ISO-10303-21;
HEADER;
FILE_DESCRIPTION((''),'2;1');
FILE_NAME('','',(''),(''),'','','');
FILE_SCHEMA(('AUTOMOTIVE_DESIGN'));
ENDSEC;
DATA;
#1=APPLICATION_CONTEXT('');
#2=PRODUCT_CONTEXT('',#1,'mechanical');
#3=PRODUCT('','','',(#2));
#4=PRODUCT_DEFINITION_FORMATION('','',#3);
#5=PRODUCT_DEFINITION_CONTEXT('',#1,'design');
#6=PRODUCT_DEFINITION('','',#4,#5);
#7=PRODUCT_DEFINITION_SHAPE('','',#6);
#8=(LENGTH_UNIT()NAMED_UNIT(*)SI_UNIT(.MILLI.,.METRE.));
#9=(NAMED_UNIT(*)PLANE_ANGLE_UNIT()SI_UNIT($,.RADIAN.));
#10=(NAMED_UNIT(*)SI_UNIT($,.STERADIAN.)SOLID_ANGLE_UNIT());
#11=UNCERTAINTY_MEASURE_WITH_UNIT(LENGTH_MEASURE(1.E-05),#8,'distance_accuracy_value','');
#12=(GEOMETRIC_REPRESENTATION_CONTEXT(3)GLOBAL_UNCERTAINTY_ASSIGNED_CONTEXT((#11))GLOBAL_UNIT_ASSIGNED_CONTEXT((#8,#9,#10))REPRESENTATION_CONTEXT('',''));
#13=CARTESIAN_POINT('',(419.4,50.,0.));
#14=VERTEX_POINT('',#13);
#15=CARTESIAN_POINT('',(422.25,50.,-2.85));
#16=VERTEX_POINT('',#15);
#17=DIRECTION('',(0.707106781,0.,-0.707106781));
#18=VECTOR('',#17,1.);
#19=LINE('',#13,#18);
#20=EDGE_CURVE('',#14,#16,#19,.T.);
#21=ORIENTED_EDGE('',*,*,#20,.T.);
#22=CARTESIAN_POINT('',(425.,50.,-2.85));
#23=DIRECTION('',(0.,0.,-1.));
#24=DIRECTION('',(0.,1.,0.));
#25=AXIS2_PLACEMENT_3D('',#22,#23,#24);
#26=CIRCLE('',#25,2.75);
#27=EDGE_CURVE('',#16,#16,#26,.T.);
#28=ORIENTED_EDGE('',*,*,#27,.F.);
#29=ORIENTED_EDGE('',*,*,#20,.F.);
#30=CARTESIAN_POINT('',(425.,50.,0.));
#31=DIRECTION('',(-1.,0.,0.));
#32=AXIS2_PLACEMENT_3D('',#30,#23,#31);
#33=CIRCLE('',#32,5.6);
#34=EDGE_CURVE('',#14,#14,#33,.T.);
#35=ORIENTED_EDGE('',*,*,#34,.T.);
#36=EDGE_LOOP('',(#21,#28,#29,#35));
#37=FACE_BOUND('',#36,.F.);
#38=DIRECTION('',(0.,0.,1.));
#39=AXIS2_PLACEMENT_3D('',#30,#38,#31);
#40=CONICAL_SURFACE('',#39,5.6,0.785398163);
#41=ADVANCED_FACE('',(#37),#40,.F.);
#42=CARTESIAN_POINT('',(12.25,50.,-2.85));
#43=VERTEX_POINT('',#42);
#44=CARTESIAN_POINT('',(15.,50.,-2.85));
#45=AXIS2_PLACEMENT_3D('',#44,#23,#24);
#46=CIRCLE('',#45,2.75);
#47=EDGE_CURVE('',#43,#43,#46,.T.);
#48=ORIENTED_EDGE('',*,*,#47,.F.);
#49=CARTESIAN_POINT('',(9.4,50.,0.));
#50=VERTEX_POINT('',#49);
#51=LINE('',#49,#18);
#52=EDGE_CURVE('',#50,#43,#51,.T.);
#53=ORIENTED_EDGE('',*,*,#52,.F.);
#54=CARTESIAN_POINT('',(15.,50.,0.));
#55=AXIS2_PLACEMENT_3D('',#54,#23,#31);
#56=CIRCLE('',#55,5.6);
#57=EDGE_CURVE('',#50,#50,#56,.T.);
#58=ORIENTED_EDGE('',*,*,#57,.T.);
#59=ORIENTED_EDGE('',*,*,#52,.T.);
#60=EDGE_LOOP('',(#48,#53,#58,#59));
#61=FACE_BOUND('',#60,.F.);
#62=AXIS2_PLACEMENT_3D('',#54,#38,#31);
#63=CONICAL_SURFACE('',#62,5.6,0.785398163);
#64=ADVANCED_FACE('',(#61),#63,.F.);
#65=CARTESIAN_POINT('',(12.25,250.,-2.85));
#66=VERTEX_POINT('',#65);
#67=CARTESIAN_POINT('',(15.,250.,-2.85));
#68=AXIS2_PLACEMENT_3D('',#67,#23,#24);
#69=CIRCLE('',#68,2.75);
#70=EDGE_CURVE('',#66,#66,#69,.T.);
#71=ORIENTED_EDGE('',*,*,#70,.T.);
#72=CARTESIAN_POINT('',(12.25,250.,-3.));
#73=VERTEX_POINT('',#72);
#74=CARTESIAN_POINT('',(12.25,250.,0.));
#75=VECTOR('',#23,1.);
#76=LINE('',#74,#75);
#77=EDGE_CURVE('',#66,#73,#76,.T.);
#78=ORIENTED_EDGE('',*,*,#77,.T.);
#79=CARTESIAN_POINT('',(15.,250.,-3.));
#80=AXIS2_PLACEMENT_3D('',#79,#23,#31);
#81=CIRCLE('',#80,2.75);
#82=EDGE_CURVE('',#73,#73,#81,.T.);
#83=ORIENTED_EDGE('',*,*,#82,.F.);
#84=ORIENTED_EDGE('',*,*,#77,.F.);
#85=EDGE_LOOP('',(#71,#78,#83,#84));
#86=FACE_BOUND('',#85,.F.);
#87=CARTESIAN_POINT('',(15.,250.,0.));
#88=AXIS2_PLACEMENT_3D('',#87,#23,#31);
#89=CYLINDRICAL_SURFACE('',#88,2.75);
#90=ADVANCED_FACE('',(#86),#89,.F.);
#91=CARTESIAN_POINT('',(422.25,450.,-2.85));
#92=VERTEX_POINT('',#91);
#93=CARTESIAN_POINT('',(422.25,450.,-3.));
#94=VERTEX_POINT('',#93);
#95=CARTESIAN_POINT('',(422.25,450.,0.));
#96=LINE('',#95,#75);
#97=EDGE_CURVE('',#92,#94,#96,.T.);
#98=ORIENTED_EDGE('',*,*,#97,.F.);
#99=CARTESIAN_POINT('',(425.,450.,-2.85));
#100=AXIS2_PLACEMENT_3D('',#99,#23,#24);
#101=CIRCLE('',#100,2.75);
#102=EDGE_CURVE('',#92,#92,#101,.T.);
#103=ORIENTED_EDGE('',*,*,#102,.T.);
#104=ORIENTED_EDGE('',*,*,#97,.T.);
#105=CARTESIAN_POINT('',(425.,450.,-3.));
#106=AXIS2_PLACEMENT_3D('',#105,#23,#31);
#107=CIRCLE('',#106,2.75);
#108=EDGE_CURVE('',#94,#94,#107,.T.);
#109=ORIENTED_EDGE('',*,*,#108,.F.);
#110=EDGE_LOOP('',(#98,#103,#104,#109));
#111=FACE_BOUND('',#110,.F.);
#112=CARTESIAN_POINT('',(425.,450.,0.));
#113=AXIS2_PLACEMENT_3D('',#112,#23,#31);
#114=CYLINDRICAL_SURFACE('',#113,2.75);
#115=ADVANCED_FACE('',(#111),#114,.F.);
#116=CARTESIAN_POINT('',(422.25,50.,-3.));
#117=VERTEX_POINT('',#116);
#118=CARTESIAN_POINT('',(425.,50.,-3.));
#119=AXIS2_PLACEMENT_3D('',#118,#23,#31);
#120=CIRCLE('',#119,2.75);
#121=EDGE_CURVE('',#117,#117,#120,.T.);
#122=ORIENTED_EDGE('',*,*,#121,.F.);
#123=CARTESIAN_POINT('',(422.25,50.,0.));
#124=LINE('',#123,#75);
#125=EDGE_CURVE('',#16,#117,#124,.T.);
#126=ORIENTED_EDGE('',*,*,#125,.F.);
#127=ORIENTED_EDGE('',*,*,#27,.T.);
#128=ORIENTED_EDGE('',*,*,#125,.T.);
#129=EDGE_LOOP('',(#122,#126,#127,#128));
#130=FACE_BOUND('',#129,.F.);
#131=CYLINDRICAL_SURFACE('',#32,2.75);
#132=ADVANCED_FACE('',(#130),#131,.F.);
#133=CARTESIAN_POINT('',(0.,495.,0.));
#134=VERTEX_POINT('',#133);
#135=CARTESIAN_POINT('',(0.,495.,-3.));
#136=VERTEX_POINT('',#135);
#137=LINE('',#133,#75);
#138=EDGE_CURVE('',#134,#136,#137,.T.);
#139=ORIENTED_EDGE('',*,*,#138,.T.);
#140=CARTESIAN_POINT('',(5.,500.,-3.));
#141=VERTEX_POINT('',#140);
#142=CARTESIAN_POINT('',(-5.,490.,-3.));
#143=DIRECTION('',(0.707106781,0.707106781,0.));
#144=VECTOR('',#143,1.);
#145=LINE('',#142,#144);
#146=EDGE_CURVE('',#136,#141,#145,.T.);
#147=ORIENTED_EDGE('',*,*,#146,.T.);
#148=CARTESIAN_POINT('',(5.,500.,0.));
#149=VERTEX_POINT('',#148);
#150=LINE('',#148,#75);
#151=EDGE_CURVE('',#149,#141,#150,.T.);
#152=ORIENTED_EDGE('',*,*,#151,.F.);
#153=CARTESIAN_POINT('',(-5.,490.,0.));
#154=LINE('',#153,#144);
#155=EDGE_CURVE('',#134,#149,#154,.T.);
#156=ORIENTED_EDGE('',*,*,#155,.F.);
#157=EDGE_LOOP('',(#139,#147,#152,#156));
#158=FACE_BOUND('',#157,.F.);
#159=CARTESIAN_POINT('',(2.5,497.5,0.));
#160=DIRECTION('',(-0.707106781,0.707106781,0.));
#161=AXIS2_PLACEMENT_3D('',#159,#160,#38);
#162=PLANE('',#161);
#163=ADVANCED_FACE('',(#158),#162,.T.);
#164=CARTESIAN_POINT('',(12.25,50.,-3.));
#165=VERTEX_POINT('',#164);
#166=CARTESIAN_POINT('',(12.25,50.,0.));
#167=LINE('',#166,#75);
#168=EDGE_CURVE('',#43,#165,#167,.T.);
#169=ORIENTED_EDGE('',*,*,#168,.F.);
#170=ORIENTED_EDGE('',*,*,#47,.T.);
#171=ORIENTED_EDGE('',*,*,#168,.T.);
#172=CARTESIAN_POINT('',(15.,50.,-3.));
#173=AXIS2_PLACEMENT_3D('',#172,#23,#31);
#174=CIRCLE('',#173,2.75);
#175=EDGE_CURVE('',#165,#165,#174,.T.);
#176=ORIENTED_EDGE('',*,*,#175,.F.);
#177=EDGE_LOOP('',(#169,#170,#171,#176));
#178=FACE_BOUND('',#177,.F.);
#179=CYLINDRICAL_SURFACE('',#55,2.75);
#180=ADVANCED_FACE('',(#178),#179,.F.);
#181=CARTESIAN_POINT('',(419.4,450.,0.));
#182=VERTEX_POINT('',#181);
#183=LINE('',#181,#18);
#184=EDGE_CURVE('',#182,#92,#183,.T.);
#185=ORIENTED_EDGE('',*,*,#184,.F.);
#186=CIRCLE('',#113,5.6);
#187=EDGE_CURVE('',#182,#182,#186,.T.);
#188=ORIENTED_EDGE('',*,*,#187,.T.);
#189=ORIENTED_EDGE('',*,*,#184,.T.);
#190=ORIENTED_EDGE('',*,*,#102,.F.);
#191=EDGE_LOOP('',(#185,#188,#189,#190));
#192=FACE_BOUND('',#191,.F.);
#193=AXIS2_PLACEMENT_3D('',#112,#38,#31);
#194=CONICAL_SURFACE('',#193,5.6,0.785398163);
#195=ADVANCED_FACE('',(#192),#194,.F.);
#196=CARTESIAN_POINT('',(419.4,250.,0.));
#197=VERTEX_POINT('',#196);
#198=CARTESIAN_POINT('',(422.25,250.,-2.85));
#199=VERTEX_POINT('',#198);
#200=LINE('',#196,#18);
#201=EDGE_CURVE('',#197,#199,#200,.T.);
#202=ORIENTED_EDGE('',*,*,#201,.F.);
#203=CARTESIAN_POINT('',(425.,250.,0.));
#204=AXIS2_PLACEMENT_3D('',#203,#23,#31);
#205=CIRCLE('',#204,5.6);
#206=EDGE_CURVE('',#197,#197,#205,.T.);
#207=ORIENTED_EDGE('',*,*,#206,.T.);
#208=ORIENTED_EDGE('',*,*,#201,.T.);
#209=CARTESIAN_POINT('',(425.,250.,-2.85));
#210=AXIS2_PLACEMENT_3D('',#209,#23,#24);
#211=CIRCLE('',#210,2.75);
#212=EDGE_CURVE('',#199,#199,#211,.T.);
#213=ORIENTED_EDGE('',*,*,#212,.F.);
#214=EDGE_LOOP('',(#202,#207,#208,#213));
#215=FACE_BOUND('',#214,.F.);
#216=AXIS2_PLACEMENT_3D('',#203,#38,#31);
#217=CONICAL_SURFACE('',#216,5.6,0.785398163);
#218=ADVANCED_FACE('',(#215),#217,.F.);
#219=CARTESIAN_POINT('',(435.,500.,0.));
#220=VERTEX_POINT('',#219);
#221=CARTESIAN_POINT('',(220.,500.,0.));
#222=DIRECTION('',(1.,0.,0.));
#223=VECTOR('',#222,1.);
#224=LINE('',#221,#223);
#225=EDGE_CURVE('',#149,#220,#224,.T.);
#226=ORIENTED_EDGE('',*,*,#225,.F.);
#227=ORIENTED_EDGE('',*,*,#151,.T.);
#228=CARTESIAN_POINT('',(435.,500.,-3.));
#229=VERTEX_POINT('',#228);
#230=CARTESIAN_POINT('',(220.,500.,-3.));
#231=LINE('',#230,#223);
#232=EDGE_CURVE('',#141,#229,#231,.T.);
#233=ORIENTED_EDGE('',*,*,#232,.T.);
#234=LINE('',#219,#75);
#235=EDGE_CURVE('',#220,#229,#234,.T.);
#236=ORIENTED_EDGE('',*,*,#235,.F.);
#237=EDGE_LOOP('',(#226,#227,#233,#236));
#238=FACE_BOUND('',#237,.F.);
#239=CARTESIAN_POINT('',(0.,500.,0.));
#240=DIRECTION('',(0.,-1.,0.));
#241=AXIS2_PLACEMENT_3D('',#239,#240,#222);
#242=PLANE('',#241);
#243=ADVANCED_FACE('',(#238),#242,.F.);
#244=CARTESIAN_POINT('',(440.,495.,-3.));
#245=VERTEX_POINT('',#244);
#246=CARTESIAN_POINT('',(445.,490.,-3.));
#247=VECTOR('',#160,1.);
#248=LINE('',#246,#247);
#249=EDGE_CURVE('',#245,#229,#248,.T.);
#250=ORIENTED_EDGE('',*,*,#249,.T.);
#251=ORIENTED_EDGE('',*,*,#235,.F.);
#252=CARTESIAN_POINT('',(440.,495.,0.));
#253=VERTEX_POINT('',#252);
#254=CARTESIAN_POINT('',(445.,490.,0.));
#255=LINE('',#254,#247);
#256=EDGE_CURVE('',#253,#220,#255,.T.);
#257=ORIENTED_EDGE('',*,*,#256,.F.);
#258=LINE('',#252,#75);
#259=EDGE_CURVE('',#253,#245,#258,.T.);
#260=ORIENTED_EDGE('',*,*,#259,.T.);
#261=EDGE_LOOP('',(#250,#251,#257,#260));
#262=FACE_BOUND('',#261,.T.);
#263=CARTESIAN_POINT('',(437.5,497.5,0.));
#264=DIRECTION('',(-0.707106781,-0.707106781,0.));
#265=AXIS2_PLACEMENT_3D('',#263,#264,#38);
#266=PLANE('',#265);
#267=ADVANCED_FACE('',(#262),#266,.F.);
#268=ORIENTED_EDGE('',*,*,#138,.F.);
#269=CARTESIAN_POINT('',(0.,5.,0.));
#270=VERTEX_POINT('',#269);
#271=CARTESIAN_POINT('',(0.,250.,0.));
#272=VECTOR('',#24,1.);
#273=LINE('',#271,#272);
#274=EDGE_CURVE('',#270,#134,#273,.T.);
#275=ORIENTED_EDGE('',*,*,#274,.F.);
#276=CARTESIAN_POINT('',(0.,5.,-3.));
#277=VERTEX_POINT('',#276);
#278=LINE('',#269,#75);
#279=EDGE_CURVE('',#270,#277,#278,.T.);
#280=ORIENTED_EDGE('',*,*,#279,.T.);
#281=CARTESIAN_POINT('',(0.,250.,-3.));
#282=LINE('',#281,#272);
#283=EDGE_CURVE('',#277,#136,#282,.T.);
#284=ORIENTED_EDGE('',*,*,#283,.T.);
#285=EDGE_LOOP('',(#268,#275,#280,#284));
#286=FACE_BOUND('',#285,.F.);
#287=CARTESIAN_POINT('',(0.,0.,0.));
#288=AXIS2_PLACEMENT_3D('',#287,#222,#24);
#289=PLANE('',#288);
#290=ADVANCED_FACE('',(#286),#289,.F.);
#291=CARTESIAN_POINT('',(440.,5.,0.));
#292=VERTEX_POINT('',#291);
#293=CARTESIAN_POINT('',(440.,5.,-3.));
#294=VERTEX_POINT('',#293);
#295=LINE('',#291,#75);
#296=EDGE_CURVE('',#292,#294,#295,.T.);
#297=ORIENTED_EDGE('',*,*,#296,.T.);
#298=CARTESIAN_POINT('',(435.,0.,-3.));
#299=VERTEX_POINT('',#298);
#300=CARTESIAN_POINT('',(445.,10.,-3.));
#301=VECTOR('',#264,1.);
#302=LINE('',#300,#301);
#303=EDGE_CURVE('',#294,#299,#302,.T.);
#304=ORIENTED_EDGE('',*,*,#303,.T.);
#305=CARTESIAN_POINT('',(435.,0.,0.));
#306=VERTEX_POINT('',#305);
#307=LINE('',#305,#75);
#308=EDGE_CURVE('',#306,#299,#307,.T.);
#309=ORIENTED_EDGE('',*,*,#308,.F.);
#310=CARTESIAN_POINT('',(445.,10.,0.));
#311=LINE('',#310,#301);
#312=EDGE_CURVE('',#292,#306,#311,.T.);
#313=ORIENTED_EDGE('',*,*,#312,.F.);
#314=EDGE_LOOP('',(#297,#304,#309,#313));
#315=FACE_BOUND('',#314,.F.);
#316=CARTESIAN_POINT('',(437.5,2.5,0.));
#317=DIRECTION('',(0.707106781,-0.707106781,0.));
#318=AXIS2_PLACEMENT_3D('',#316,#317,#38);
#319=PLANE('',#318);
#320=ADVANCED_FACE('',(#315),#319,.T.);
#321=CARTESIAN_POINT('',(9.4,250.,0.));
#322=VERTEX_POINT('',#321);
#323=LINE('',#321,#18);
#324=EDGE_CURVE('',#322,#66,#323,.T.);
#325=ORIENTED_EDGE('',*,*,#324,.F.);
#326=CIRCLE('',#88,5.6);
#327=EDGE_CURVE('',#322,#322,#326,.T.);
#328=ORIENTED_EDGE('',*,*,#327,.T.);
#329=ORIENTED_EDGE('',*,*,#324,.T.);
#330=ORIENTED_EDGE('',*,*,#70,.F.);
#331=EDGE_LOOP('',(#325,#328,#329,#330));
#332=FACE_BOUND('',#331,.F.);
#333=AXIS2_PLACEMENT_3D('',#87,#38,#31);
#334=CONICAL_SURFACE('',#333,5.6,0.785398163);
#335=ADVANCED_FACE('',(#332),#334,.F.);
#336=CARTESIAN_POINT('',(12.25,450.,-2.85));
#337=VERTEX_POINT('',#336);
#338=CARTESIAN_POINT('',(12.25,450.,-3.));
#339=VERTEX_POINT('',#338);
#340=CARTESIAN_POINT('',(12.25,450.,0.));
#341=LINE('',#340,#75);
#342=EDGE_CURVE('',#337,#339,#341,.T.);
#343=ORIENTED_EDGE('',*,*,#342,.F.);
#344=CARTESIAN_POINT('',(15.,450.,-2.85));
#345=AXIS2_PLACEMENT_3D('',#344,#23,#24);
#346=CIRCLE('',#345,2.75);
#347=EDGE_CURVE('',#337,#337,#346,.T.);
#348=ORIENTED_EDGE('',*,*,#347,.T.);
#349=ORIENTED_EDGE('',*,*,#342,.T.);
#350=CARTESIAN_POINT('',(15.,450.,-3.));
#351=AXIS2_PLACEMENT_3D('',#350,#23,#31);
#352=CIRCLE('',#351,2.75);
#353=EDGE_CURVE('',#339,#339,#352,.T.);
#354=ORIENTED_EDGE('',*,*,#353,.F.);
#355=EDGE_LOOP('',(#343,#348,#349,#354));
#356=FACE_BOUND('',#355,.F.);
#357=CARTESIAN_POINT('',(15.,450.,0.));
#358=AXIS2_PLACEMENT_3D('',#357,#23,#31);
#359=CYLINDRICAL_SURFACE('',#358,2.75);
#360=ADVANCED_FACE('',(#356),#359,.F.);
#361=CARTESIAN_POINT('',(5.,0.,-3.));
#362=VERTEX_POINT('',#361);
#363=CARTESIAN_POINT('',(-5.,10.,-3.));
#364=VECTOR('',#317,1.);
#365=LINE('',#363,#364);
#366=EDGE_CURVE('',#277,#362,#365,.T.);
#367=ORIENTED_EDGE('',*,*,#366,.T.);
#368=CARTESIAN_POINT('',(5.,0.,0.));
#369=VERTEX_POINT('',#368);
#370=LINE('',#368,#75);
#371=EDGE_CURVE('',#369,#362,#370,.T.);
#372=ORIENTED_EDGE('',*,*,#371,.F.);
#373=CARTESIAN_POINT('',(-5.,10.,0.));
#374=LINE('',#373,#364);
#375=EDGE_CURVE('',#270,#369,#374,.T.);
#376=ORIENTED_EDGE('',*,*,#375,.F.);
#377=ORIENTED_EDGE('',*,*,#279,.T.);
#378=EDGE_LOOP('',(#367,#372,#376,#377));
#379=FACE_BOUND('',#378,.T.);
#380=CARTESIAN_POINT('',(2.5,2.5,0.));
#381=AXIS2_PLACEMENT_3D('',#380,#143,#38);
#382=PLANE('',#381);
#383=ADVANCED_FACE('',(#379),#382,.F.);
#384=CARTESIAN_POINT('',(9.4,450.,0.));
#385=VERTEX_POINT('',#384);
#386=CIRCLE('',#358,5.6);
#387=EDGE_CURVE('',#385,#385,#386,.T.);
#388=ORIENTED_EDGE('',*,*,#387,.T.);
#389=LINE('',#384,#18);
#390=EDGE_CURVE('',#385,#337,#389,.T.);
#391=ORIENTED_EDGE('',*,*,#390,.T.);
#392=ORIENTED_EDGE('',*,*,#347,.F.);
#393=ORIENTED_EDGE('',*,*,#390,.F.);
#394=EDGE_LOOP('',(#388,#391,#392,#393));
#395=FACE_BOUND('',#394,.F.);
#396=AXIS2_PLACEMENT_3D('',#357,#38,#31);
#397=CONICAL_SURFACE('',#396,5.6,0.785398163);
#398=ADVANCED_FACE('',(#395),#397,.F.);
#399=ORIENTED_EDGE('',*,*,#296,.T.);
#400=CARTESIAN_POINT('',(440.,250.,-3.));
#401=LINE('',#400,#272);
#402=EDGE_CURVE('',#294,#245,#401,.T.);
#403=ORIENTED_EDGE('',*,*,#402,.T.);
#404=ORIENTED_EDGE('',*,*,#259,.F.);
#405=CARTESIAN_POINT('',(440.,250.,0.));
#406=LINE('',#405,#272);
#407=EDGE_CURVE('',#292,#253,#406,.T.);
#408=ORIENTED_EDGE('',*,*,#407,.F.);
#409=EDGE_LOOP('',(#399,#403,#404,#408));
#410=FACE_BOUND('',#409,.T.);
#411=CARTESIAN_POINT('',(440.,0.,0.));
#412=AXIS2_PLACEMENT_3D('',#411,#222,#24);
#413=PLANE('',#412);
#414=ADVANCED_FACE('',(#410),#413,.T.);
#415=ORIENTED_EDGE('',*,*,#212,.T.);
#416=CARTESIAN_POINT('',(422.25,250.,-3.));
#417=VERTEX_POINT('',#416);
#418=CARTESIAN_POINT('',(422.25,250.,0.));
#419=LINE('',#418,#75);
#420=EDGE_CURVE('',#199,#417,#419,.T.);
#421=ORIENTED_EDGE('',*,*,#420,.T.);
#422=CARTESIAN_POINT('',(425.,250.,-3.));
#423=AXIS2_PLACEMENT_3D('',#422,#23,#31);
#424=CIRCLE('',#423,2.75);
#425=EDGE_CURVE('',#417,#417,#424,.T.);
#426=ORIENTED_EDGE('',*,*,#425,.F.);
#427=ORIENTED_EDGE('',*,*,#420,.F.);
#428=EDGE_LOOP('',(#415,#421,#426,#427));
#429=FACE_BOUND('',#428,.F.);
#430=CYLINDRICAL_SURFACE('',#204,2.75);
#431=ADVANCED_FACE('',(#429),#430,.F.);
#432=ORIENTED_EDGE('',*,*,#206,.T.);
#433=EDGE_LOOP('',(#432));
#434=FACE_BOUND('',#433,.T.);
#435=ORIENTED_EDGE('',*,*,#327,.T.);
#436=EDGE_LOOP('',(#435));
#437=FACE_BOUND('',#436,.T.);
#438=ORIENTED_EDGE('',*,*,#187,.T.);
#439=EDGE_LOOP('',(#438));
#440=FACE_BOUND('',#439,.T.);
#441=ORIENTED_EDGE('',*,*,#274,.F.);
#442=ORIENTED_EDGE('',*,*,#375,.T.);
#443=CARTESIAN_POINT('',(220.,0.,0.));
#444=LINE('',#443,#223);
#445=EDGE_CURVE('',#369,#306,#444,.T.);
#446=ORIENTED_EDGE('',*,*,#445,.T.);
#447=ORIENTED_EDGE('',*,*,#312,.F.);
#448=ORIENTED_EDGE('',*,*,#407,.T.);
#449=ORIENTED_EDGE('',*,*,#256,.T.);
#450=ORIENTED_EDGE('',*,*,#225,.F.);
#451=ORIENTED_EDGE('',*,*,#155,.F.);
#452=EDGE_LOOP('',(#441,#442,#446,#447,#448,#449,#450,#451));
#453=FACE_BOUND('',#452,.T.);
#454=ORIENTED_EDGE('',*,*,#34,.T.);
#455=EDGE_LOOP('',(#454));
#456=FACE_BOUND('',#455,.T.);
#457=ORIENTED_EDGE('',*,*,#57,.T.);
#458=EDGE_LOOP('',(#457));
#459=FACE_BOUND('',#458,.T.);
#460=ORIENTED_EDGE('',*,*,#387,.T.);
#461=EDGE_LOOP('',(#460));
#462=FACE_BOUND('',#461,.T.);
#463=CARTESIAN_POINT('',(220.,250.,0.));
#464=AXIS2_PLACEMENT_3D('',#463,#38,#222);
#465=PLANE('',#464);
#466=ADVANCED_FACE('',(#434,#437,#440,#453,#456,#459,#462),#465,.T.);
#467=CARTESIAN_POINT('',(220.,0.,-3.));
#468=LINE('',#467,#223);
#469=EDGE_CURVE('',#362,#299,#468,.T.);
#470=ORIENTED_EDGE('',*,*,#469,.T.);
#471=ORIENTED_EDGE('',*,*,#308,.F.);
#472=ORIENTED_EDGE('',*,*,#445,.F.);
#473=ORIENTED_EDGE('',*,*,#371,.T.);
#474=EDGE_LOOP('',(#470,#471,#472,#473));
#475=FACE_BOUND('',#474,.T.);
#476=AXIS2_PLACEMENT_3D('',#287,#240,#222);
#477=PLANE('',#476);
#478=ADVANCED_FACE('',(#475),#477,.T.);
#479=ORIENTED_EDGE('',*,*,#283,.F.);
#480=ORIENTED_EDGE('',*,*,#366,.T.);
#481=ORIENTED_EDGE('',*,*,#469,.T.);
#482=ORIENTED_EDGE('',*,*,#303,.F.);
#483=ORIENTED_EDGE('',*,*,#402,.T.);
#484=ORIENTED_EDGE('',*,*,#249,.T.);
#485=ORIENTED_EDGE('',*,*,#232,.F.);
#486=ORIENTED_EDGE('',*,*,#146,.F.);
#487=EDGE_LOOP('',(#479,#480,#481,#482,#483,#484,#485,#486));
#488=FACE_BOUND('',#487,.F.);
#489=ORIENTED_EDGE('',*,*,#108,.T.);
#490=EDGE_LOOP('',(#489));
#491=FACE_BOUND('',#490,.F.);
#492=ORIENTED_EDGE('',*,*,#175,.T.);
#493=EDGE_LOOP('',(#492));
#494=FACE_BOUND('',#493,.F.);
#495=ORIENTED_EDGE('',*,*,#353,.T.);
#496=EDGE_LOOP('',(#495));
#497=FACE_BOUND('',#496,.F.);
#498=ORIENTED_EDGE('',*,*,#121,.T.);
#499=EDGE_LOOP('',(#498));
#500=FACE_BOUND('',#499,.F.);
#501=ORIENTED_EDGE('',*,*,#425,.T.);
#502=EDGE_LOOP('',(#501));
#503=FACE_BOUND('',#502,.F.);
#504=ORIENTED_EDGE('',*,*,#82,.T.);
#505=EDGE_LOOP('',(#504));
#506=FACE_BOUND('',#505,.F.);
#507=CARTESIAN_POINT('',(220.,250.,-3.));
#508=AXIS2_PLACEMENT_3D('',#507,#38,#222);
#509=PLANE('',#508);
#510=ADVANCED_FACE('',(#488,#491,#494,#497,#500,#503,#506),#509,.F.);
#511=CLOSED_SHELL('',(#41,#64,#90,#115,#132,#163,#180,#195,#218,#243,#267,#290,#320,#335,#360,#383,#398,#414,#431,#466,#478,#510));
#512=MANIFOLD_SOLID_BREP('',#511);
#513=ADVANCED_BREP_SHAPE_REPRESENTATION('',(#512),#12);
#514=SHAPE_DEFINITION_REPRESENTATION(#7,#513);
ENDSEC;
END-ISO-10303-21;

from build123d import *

# Parameters (mm, degrees)
F0_W           = 440
F0_H           = 500
F1_DEPTH       = 3
F2_D           = 5.5
F2_CSINK_D     = 11.2
F2_CSINK_ANGLE = 90
F3_SIZE        = 5


with BuildPart() as f1:
    # F0 (on Top) → F1 (new body)
    with BuildSketch(Plane.XY):
        with Locations((220, 250)):
            Rectangle(F0_W, F0_H)
    extrude(amount=-F1_DEPTH)

    # F2 (through all)
    with Locations(Plane.XY):
        with Locations((425, 50), (425, 250), (425, 450), (15, 450), (15, 250), (15, 50)):
            CounterSinkHole(F2_D / 2, F2_CSINK_D / 2, counter_sink_angle=F2_CSINK_ANGLE)

    # F3
    f3_edges = [f1.edges().sort_by_distance(p)[0] for p in [
        (0, 0, -1.5),
        (440, 0, -1.5),
        (440, 500, -1.5),
        (0, 500, -1.5),
    ]]
    chamfer(f3_edges, length=F3_SIZE)


solid = f1.part
